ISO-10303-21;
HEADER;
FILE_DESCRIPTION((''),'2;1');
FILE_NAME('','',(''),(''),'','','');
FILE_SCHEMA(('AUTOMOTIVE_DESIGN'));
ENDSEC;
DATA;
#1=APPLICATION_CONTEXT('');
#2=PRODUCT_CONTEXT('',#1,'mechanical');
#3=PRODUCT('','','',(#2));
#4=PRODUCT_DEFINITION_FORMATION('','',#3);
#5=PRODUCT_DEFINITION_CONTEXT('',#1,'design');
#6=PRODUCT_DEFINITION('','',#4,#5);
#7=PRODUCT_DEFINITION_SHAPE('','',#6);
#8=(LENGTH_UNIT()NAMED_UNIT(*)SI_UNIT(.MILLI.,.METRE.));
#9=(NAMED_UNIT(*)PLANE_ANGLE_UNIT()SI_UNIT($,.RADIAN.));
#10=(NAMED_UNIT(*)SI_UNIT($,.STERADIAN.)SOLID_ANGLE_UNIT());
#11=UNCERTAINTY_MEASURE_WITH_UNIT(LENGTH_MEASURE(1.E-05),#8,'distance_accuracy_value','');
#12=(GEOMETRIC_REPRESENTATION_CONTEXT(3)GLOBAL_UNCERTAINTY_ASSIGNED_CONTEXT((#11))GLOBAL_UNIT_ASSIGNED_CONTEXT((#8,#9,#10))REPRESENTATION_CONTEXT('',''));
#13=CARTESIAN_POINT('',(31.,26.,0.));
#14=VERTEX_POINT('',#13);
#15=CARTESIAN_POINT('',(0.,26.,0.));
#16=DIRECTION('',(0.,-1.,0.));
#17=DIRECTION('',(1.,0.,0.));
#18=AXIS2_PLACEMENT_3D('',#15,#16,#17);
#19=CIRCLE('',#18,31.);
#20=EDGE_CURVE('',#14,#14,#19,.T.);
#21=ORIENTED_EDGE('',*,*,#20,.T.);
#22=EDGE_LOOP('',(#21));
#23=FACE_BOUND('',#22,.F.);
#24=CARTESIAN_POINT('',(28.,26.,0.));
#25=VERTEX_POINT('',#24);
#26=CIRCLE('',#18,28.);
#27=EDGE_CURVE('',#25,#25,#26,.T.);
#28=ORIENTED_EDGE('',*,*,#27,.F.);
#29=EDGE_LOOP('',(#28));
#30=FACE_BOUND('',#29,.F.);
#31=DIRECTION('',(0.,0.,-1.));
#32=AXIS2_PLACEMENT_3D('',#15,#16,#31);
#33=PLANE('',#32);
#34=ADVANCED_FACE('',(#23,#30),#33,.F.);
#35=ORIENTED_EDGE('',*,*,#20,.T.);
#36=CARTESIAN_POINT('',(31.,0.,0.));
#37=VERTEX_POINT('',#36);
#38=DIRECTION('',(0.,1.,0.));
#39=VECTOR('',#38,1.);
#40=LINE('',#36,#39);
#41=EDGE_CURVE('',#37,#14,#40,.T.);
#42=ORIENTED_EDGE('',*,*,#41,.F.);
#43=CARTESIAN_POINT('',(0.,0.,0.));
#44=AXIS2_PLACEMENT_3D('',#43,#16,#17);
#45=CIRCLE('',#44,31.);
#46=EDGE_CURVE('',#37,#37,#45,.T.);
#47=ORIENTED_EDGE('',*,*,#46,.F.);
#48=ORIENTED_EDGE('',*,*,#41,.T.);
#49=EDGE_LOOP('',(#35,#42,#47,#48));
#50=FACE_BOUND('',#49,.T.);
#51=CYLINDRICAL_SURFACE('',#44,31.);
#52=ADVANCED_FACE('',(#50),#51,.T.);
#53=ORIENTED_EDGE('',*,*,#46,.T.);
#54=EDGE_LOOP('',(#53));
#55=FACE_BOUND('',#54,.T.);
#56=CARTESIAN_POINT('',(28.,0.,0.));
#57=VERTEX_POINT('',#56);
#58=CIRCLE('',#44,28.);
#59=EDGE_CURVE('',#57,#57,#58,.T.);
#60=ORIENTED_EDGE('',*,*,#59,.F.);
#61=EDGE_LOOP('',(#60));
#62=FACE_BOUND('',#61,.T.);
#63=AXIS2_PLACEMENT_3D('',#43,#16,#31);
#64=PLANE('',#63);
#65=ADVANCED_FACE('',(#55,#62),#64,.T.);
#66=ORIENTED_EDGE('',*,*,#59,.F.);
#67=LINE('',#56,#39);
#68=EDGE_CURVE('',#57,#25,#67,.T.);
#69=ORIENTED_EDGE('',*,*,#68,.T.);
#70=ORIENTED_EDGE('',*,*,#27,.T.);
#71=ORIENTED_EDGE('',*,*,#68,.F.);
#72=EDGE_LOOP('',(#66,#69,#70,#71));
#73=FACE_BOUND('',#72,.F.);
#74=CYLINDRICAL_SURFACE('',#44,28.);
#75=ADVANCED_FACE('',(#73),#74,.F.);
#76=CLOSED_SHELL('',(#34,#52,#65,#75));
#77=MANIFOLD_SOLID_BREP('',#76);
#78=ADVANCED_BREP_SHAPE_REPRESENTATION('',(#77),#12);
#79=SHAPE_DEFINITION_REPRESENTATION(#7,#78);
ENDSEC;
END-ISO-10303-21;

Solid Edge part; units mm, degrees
sketch "Sketch1" plane through (0, 0, 0) normal (0, -1, 0) x (1, 0, 0)
  circle A0 centre (0, 0) radius 31
  circle A1 centre (0, 0) radius 28
extrude "Protrusion1" add sketch "Sketch1" against normal blind 26
properties part number "1976-1100-004" material "Aluminio, 7075-T6"
